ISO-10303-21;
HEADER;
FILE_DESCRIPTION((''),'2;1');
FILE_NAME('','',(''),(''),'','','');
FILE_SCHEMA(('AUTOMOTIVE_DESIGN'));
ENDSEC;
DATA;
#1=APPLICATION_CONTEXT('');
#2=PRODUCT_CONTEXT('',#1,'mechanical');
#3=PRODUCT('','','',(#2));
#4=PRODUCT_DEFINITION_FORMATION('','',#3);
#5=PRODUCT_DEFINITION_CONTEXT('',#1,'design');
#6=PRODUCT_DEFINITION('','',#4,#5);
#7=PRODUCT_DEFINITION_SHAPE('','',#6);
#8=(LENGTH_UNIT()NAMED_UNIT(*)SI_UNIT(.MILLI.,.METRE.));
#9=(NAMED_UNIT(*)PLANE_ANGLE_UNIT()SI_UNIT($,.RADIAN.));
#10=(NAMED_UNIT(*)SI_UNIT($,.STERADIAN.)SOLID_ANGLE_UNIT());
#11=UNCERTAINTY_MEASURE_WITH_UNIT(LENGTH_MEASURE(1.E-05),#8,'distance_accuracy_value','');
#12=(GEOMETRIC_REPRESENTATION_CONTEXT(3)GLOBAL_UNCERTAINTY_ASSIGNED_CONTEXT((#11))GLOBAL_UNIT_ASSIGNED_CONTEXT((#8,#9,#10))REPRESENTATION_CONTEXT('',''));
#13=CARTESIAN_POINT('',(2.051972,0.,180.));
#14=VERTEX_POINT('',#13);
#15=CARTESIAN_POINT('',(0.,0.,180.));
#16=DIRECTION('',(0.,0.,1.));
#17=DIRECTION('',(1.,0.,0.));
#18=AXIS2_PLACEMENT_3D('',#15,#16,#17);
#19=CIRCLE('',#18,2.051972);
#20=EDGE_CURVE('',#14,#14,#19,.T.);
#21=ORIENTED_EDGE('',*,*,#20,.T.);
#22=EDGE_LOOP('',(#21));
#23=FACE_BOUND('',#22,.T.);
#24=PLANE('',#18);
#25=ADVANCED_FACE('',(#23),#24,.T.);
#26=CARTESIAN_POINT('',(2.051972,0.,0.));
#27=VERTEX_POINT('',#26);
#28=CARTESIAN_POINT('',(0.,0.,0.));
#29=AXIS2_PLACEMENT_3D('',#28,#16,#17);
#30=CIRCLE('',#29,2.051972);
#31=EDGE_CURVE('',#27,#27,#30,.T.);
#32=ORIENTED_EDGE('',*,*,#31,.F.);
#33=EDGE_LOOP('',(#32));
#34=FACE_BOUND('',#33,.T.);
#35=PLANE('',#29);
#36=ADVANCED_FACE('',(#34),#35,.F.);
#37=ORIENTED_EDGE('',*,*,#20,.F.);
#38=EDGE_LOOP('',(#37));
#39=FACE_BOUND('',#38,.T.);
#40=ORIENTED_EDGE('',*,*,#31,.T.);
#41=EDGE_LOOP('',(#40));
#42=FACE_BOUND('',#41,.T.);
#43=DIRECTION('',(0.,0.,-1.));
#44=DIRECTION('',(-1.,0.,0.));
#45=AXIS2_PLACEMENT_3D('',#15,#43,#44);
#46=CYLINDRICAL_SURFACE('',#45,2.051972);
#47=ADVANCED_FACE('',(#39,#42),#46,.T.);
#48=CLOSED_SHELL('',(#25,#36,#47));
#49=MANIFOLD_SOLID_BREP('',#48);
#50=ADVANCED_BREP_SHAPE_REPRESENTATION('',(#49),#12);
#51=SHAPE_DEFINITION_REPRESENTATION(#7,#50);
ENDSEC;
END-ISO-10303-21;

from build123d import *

# Parameters (mm, degrees)
SKETCH_2_R      = 2.051971833
EXTRUDE_1_DEPTH = 180


with BuildPart() as part:
    # 草图2 → 凸台-拉伸1 (new body)
    with BuildSketch(Plane.XY):
        Circle(SKETCH_2_R)
    extrude(amount=EXTRUDE_1_DEPTH)


solid = part.part
